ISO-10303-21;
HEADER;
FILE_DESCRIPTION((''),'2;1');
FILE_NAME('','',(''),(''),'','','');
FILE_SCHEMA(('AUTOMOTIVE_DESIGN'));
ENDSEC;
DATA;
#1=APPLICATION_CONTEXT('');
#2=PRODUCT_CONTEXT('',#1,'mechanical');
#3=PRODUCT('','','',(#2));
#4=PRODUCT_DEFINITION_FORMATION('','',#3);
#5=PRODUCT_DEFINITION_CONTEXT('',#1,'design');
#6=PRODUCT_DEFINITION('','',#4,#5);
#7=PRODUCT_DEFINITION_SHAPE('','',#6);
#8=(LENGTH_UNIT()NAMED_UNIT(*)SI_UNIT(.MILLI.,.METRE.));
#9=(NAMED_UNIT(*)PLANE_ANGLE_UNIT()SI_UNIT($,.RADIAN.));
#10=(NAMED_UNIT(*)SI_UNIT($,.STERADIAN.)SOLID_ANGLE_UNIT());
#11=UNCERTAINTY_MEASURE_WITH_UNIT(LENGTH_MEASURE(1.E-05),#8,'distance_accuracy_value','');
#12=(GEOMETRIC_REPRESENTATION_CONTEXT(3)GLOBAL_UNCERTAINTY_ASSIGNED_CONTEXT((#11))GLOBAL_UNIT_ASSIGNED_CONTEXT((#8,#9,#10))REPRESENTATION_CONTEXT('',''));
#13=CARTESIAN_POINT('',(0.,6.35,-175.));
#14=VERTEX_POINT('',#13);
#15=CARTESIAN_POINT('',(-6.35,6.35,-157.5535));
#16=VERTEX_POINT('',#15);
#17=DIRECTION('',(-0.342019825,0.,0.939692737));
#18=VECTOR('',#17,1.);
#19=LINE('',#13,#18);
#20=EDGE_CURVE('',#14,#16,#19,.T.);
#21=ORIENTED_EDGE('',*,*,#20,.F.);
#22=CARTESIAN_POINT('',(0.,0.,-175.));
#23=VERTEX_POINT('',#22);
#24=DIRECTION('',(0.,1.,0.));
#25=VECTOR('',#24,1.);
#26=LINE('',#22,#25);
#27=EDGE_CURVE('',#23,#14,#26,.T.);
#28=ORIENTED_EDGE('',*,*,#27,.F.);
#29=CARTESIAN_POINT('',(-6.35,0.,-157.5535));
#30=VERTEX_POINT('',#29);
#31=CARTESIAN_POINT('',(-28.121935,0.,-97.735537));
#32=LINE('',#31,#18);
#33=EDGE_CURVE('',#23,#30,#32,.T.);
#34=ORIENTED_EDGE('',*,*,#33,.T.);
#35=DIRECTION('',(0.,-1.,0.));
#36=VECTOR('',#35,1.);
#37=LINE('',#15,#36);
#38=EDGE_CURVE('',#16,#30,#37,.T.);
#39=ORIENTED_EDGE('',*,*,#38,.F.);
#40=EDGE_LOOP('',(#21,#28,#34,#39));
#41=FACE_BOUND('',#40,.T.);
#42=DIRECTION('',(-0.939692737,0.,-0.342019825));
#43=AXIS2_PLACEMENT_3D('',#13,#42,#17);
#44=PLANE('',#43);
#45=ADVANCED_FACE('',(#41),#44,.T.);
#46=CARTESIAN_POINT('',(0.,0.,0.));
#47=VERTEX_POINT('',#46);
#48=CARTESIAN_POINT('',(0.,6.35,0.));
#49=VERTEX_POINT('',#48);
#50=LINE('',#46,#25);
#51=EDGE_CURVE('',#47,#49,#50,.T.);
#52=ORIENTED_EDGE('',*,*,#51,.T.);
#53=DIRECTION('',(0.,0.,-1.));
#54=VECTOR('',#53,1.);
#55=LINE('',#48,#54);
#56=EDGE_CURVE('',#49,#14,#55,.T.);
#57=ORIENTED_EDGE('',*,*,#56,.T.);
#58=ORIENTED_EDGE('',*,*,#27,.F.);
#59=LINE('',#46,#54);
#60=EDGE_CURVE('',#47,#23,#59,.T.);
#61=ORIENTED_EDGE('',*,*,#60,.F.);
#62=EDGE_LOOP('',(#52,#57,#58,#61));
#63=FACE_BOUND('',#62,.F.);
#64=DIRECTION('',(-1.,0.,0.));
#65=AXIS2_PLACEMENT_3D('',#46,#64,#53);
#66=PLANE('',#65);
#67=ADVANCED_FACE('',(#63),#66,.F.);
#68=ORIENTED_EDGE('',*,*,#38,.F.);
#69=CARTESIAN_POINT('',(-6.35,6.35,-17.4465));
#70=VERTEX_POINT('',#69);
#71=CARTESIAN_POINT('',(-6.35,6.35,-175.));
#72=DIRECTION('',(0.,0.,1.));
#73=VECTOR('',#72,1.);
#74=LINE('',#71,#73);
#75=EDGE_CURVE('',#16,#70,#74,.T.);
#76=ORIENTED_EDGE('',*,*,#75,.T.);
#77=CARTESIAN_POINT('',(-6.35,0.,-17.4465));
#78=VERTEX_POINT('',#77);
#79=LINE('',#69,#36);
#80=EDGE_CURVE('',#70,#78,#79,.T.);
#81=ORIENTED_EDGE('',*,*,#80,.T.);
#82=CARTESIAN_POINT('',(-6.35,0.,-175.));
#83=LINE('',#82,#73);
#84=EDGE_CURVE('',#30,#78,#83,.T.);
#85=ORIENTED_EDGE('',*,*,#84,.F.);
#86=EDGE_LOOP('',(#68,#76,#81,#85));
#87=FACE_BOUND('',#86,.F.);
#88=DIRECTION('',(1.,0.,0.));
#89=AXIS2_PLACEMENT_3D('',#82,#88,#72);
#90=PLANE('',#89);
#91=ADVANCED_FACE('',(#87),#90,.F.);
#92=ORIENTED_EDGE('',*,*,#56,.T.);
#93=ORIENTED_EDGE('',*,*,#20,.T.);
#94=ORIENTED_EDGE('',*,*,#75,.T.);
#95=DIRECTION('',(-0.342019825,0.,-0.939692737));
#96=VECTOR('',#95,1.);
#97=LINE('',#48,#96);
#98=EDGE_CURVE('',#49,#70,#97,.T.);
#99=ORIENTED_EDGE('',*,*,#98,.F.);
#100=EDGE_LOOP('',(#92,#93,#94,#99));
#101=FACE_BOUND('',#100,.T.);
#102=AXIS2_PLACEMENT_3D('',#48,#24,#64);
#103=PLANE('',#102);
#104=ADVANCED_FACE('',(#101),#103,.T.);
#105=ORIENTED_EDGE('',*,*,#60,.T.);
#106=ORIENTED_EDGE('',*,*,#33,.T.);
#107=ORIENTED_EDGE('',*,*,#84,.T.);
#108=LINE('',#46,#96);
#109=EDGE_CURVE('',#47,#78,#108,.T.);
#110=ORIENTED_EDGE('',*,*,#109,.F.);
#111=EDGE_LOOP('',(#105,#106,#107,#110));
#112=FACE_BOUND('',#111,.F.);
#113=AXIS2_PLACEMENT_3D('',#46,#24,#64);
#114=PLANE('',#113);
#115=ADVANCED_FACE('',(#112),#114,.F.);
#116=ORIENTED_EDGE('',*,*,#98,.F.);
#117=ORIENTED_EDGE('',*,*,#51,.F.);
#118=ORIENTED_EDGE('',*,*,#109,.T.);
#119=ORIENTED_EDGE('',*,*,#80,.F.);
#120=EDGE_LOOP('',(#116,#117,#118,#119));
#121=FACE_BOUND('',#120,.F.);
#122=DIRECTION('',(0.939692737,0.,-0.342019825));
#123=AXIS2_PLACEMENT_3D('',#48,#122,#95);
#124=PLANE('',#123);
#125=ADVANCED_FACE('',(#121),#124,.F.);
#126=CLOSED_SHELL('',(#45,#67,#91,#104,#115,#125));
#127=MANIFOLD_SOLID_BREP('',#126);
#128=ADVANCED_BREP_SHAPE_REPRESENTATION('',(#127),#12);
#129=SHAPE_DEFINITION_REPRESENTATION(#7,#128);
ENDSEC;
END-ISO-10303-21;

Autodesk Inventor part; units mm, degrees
ref_plane "YZ Plane" through (0, 0, 0) normal (1, 0, 0) x (0, 1, 0)
ref_plane "XZ Plane" through (0, 0, 0) normal (0, 1, 0) x (-1, 0, 0)
ref_plane "XY Plane" through (0, 0, 0) normal (0, 0, 1) x (1, 0, 0)
sketch "Sketch1" plane through (0, 0, 0) normal (0, 1, 0) x (-1, 0, 0)
  line L0 (0, 0) -> (0, -175)
  line L1 (0, -175) -> (6.35, -175)
  line L2 (6.35, -175) -> (6.35, 0)
  line L3 (6.35, 0) -> (0, 0)
  dimension "d0" = 175
  dimension "d1" = 6.35
extrude "Extrusion1" add sketch "Sketch1" along normal blind 6.35
sketch "Sketch2" plane through (0, 6.35, 0) normal (0, 1, 0) x (1, 0, 0)
  line L0 (-6.35, 0) -> (0, 0) projected
  line L1 (0, 0) -> (-6.35, 17.4465)
  line L2 (-6.35, 175) -> (-6.35, 0) projected
  line L3 (0, 0) -> (18.5662, 0) construction
  dimension "d4" = 110
extrude "Extrusion2" cut sketch "Sketch2" against normal blind 6.35
sketch "Sketch3" plane through (0, 6.35, 0) normal (0, 1, 0) x (1, 0, 0)
  line L0 (0, 0) -> (0, 175) projected
  line L1 (0, 175) -> (-6.35, 157.5535)
  line L2 (-6.35, 175) -> (-6.35, 17.4465) projected
  line L3 (0, 175) -> (18.5662, 175) construction
  line L4 (0, 175) -> (-6.35, 175) projected
  line L5 (-6.35, 157.5535) -> (-6.35, 175)
  line L6 (-6.35, 175) -> (0, 175)
  dimension "d7" = 110
extrude "Extrusion3" cut sketch "Sketch3" against normal blind 10
properties part number "Top"
